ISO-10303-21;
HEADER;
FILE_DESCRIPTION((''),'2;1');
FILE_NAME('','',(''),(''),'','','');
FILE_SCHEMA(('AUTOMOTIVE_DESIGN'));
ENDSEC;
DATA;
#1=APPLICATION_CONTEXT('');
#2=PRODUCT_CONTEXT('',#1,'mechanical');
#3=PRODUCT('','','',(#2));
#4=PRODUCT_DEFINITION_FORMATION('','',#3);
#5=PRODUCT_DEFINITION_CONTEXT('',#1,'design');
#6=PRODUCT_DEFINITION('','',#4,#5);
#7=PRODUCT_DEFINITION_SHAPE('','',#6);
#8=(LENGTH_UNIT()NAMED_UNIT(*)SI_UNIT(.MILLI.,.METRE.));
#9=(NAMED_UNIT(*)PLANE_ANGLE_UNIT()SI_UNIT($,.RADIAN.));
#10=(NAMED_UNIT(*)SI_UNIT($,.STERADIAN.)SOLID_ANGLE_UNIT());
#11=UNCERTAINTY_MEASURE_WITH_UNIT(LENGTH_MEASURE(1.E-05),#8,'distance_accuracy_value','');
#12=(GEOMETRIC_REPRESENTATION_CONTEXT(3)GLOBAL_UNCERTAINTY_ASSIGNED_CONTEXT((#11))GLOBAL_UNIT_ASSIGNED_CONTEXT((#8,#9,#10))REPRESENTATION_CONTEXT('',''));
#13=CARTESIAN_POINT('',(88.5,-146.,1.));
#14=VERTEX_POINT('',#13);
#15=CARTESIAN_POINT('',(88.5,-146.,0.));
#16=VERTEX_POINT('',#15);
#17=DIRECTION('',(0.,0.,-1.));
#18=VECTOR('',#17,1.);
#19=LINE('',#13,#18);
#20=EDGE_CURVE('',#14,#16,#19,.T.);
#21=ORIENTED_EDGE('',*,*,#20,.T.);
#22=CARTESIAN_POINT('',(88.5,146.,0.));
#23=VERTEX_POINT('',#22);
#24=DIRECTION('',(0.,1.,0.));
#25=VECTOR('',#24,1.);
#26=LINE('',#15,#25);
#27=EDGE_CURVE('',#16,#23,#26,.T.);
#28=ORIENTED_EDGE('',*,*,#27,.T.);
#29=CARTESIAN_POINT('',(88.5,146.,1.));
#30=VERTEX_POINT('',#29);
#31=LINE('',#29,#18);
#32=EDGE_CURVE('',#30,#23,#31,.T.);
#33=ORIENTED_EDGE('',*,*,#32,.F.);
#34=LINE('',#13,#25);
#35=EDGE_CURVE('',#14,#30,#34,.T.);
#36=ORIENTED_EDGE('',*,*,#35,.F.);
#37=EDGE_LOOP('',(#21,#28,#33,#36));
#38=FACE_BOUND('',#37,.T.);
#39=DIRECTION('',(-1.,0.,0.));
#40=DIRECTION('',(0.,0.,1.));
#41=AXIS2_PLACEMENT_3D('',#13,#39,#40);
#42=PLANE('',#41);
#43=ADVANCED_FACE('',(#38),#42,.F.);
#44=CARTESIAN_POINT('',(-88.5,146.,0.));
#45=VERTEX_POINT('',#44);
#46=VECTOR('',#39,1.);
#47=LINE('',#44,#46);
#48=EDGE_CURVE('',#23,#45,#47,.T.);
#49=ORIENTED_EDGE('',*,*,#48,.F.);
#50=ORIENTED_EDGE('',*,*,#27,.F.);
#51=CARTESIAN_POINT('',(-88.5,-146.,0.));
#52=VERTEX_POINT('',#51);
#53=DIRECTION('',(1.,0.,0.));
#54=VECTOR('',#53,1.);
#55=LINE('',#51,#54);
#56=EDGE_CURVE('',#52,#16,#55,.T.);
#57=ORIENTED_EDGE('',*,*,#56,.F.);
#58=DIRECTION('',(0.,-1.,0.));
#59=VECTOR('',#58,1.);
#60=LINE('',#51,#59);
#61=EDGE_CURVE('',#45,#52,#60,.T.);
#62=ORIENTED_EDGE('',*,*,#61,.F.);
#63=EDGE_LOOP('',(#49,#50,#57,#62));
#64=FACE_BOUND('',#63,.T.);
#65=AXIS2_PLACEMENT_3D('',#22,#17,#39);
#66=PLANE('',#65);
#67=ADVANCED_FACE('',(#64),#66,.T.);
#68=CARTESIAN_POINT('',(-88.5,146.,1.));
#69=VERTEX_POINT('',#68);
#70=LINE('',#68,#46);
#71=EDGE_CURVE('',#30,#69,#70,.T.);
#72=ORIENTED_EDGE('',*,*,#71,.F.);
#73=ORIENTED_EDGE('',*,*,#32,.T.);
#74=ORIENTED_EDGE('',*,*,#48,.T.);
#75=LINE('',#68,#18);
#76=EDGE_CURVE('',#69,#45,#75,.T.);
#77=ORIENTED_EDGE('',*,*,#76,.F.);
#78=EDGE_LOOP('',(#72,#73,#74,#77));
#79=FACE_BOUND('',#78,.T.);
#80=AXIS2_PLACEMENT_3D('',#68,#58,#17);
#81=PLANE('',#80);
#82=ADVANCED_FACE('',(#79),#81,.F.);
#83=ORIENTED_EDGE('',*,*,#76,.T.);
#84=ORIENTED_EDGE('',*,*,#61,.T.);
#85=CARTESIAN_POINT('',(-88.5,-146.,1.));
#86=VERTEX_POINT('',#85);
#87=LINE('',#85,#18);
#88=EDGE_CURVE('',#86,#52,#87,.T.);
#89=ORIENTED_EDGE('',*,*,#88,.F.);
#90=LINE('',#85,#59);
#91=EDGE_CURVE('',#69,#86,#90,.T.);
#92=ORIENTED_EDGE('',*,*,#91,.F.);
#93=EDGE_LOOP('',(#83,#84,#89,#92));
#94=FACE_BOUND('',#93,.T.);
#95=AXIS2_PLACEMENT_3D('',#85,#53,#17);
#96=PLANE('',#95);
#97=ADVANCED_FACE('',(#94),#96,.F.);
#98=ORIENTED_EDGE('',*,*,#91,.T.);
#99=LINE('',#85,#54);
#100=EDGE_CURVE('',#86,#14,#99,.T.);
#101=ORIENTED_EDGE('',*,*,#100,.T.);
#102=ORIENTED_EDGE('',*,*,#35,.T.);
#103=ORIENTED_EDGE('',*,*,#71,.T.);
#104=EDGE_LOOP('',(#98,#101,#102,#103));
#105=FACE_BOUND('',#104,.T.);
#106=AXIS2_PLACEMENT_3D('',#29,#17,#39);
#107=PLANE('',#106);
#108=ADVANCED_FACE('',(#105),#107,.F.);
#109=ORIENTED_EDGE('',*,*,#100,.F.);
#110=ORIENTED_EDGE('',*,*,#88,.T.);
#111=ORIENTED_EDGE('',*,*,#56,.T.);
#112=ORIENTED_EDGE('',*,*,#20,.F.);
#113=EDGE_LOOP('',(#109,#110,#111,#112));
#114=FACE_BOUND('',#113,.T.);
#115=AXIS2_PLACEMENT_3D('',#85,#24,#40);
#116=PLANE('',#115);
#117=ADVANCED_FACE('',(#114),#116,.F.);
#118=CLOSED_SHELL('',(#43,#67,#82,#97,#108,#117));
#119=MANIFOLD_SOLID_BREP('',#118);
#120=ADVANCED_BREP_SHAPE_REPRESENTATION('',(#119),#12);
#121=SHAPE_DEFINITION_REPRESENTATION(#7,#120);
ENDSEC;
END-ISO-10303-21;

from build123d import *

# Parameters (mm, degrees)
ESBO_O1_W                = 177
ESBO_O1_H                = 292
RESSALTO_EXTRUS_O1_DEPTH = 1


with BuildPart() as part:
    # Esboço1 → Ressalto-extrusão1 (new body)
    with BuildSketch(Plane.XY):
        Rectangle(ESBO_O1_W, ESBO_O1_H)
    extrude(amount=RESSALTO_EXTRUS_O1_DEPTH)


solid = part.part
